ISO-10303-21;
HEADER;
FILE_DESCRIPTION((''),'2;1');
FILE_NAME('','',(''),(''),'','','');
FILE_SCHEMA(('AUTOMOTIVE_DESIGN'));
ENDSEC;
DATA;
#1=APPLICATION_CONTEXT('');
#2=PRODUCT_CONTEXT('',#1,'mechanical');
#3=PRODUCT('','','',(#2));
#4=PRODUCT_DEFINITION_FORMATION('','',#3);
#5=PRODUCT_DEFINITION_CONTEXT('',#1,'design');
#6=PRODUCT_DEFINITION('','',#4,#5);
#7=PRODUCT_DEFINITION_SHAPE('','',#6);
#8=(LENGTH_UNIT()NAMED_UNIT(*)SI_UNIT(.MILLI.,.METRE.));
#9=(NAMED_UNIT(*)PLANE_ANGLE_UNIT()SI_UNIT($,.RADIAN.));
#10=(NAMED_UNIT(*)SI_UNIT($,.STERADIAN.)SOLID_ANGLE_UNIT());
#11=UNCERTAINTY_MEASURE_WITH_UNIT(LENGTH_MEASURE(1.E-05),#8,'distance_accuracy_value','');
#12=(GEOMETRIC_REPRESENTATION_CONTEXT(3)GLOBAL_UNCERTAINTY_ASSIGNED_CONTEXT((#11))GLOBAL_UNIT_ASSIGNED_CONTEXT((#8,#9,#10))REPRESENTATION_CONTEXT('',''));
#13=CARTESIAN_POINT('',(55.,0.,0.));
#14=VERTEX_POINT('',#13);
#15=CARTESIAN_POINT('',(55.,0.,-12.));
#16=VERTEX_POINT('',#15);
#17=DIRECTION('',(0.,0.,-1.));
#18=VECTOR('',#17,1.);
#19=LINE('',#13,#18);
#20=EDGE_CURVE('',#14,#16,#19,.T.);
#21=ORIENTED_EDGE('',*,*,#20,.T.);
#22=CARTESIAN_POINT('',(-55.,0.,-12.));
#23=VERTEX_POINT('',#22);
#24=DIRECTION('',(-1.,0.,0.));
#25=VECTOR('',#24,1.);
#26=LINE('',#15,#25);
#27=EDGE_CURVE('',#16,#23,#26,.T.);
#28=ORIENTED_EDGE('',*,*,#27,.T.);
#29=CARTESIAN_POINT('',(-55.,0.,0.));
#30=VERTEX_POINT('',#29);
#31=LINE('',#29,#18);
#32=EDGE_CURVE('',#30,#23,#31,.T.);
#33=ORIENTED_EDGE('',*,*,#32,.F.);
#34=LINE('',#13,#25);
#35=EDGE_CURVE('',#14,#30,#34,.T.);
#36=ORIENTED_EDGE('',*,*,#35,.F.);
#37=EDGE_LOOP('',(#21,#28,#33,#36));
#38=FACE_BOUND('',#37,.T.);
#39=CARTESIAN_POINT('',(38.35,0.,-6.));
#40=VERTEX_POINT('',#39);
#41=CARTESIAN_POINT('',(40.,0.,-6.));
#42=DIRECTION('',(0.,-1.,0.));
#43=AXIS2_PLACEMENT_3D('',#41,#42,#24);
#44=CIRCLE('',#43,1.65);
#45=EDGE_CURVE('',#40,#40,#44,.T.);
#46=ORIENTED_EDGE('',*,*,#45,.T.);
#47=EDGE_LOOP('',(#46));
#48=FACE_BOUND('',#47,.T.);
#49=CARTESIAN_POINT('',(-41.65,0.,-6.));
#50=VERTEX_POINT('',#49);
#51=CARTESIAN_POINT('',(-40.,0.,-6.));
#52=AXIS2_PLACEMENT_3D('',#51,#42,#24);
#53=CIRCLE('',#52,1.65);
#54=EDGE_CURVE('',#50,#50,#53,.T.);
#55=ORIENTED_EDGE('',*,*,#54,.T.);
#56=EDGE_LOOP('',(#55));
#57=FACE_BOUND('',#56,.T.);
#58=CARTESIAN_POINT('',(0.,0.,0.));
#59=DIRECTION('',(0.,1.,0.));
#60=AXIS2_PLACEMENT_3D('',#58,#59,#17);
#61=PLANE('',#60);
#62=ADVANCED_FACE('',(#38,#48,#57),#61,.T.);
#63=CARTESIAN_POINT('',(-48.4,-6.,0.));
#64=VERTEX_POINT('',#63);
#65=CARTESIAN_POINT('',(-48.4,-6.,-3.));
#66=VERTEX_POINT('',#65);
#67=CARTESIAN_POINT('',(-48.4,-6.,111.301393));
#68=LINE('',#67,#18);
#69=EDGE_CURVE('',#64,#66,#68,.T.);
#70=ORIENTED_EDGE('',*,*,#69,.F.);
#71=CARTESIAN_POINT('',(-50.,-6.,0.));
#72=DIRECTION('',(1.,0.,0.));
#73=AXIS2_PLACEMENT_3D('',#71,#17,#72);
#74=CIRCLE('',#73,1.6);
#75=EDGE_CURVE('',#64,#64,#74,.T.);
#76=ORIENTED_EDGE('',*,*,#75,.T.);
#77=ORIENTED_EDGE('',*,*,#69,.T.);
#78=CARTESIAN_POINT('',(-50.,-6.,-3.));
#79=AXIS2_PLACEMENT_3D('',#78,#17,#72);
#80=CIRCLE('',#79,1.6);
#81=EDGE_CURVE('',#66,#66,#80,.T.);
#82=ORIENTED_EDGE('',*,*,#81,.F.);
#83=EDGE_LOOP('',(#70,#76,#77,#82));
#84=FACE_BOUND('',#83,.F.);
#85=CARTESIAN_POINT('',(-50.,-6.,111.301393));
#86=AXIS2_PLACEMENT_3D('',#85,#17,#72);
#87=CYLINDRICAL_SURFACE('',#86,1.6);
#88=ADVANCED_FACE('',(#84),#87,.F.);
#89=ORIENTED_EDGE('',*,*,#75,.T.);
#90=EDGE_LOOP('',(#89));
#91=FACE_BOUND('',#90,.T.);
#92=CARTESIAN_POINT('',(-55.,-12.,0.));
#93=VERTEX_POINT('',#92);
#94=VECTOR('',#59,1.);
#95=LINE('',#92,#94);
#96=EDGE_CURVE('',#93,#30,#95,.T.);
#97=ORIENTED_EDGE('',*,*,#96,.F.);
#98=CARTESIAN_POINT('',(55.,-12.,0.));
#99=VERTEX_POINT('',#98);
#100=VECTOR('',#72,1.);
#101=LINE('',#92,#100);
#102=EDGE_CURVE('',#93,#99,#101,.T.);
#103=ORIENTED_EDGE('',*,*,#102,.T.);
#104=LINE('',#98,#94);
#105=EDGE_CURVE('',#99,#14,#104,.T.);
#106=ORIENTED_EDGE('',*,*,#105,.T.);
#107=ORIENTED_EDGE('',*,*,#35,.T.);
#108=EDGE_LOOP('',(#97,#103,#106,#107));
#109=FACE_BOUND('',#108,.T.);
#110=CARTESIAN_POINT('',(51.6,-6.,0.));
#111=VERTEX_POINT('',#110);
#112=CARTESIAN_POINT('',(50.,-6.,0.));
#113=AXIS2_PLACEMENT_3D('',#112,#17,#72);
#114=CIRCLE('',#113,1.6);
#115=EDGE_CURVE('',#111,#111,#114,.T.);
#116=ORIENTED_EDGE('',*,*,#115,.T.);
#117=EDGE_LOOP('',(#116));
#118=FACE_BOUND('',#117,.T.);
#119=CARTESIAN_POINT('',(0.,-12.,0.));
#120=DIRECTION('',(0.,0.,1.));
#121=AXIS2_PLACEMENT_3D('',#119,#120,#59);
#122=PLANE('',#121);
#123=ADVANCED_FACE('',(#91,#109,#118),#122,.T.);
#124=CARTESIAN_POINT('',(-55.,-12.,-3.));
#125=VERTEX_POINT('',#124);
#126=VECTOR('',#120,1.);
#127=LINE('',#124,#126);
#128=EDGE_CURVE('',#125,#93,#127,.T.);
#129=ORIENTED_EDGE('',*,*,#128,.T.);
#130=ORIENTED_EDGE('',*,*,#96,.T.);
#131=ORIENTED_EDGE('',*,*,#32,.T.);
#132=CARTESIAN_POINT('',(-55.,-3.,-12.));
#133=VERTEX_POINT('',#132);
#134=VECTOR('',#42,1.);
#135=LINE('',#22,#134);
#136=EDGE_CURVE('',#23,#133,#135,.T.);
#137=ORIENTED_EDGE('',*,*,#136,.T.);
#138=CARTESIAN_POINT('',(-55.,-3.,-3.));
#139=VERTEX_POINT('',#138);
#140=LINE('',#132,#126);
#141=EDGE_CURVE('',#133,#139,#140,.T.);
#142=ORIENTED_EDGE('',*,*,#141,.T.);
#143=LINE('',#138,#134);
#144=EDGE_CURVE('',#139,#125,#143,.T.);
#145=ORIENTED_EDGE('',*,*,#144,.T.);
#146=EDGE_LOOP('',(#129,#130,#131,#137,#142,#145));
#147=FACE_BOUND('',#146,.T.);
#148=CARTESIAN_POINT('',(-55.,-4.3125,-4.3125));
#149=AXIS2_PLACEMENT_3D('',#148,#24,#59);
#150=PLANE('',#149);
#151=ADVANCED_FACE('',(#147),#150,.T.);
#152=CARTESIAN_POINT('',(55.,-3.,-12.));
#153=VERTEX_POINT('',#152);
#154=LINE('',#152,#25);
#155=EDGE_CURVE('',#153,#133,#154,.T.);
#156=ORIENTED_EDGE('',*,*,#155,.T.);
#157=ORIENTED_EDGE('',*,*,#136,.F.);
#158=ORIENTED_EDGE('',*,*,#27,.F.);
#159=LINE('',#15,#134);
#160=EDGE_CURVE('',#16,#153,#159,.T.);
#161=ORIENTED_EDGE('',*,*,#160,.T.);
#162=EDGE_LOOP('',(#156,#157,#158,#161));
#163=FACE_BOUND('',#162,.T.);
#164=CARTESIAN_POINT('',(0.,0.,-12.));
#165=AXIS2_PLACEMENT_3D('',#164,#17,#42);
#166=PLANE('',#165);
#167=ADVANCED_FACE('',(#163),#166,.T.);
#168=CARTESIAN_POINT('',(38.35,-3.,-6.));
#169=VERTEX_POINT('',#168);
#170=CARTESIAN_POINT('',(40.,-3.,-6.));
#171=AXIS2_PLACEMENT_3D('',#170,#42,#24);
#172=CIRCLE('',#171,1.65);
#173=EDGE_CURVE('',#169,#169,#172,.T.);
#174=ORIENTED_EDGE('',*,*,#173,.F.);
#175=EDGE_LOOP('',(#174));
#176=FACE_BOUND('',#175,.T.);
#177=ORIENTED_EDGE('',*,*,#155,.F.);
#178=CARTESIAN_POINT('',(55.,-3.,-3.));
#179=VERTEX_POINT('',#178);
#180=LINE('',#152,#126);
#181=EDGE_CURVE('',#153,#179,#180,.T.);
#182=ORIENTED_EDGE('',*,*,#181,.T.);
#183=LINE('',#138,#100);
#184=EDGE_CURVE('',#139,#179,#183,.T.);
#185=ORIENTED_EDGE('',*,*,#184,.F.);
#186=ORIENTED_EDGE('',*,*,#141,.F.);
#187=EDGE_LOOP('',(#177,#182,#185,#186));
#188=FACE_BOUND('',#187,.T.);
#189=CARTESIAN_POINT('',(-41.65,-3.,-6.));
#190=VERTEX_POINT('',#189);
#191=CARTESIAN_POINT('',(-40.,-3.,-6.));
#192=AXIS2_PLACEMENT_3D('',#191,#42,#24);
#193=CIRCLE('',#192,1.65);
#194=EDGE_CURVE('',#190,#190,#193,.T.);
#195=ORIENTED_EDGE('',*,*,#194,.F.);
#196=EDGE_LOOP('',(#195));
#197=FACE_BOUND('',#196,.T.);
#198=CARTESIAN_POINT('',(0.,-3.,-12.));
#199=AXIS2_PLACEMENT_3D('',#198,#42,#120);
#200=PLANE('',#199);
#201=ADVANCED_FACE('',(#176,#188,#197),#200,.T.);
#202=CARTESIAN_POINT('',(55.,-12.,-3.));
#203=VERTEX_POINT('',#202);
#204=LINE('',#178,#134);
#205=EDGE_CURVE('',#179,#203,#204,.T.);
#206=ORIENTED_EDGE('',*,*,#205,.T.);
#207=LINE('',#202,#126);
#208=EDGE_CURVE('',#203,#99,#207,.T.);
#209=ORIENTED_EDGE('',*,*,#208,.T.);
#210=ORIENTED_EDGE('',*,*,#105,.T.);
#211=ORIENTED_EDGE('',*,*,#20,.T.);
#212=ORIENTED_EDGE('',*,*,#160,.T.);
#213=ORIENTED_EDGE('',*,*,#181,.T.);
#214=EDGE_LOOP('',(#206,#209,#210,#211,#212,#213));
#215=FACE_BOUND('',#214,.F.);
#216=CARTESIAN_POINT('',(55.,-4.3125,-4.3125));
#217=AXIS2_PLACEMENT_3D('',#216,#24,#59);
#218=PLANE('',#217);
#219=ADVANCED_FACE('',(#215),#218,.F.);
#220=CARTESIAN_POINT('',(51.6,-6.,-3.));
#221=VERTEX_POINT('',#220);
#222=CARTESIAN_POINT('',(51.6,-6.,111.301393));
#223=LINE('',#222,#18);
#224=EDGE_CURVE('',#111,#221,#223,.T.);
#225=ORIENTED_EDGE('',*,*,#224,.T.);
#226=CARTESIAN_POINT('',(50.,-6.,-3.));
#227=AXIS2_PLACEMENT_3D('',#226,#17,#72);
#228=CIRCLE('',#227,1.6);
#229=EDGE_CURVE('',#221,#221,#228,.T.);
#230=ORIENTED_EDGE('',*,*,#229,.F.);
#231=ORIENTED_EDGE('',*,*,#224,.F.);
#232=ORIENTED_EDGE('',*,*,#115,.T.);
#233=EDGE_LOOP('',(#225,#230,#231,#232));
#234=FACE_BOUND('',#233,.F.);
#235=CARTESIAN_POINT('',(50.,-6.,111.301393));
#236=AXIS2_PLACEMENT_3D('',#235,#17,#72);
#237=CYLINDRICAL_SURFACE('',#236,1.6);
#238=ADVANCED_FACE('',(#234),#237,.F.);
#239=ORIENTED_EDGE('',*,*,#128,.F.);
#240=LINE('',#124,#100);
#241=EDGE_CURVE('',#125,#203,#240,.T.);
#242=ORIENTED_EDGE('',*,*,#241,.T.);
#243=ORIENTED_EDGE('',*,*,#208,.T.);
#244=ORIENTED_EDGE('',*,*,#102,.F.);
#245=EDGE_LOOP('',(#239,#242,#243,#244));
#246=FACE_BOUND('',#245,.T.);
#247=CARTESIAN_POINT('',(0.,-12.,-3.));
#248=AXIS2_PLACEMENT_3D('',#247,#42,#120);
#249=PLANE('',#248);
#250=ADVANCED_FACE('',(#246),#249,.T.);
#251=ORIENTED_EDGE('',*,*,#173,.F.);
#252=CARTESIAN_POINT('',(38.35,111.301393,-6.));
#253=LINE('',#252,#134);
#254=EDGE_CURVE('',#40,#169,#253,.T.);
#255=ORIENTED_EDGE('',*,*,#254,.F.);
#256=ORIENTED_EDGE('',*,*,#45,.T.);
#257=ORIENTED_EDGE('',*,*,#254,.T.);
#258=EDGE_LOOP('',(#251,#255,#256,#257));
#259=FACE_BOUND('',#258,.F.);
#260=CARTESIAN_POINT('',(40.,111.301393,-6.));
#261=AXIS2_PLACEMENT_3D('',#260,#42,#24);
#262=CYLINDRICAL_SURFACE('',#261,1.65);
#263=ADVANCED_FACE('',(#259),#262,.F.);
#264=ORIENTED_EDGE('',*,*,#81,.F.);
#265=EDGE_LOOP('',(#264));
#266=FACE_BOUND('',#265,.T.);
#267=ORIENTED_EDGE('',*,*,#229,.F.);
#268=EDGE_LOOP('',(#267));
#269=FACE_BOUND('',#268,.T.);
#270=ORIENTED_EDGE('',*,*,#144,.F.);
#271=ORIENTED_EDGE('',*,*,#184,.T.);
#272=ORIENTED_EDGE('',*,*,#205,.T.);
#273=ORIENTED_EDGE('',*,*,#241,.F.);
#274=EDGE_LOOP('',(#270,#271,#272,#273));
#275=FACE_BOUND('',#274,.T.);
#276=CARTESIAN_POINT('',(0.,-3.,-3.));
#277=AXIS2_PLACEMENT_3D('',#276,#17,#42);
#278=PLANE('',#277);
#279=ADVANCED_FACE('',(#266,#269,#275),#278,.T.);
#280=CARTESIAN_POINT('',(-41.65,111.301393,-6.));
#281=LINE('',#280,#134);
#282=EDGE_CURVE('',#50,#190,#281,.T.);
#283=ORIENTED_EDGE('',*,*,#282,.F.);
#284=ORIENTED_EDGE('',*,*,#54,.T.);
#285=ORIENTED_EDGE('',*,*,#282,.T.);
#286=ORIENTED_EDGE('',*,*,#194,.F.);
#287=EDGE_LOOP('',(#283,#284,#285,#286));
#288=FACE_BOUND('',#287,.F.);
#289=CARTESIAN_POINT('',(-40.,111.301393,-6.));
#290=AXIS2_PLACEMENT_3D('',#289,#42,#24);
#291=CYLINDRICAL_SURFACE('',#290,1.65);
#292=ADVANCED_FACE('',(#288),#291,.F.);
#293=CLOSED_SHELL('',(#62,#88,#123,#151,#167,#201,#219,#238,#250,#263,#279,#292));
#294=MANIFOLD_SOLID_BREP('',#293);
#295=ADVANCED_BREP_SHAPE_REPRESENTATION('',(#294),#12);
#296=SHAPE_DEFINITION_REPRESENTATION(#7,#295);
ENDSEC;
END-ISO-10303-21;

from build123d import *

# Parameters (mm, degrees)
F1_DEPTH = 55
F3_D     = 3.2
F5_D     = 3.3
F6_ANGLE = -180
F8_ANGLE = 180


with BuildPart() as f1:
    # F0 (on Right) → F1 (new body, symmetric)
    with BuildSketch(Plane.YZ):
        Polygon((-12, 0), (0, 0), (0, 12), (-3, 12), (-3, 3), (-12, 3), align=None)
    extrude(amount=F1_DEPTH, both=True)

    # F3 (through all)
    with Locations(Plane(origin=(0, 0, 0), x_dir=(1, 0, 0), z_dir=(0, 0, -1))):
        with Locations((-50, 6), (50, 6)):
            Hole(F3_D / 2)

    # F5 (through all)
    with Locations(Plane(origin=(0, 0, 0), x_dir=(-1, 0, 0), z_dir=(0, 1, 0))):
        with Locations((40, 6), (-40, 6)):
            Hole(F5_D / 2)


with BuildPart() as f1_1:
    # F6: moved
    add(f1.part.rotate(Axis((0, 0, 0), (-1, 0, 0)), F6_ANGLE))


with BuildPart() as f1_2:
    # F8: moved
    add(f1_1.part.rotate(Axis((0, 0, 17.1277970076), (0, 0, 1)), F8_ANGLE))


solid = f1_2.part
